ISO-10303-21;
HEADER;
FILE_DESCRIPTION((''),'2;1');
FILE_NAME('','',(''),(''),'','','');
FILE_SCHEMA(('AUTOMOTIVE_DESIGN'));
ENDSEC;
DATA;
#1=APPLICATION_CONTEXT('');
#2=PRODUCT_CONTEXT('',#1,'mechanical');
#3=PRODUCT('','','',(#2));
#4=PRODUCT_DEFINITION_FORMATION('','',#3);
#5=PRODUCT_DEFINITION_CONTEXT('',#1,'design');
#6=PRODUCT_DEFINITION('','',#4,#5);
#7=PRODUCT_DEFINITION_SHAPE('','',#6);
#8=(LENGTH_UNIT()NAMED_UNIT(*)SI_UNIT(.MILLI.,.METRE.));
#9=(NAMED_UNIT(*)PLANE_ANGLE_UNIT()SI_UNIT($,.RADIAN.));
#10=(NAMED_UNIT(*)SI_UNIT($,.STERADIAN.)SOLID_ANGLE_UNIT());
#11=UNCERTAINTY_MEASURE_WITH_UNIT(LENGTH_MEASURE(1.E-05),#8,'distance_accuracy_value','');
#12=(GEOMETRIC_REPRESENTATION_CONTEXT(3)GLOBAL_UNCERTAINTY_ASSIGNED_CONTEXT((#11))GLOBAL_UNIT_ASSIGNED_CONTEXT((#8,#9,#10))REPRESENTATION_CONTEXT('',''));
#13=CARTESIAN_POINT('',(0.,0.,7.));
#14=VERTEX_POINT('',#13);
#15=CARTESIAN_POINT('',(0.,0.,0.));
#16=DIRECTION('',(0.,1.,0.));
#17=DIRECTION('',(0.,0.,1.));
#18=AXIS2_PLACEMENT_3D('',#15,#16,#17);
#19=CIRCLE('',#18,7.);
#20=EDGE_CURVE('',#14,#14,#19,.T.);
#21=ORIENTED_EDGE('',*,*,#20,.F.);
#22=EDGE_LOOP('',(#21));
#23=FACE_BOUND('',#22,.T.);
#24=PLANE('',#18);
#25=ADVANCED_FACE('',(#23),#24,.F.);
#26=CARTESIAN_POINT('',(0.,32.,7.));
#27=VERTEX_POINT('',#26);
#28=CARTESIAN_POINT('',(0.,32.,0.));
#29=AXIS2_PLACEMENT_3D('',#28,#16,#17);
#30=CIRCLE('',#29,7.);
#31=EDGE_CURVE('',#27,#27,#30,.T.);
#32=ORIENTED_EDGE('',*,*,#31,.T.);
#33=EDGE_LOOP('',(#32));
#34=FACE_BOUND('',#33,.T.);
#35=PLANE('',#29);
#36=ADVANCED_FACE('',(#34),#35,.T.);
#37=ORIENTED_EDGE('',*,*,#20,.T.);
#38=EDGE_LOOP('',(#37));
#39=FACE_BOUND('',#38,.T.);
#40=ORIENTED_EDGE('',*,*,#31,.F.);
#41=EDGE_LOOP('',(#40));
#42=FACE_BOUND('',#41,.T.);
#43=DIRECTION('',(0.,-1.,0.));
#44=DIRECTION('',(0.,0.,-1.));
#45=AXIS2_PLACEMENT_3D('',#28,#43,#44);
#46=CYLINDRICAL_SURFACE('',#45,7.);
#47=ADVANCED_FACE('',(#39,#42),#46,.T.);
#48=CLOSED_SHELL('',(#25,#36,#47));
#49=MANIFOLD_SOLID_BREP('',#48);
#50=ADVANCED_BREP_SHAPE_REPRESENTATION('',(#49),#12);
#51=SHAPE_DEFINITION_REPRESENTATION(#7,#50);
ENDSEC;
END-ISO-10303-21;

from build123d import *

# Parameters (mm, degrees)
SKETCH_1_R      = 7
EXTRUDE_1_DEPTH = 32


with BuildPart() as part:
    # 草图1 → 凸台-拉伸1 (new body)
    with BuildSketch(Plane(origin=(0, 0, 0), x_dir=(1, 0, 0), z_dir=(0, 1, 0))):
        with Locations(Location((0, 0, 0), (0, 0, 270))):
            Circle(SKETCH_1_R)
    extrude(amount=EXTRUDE_1_DEPTH)


solid = part.part
